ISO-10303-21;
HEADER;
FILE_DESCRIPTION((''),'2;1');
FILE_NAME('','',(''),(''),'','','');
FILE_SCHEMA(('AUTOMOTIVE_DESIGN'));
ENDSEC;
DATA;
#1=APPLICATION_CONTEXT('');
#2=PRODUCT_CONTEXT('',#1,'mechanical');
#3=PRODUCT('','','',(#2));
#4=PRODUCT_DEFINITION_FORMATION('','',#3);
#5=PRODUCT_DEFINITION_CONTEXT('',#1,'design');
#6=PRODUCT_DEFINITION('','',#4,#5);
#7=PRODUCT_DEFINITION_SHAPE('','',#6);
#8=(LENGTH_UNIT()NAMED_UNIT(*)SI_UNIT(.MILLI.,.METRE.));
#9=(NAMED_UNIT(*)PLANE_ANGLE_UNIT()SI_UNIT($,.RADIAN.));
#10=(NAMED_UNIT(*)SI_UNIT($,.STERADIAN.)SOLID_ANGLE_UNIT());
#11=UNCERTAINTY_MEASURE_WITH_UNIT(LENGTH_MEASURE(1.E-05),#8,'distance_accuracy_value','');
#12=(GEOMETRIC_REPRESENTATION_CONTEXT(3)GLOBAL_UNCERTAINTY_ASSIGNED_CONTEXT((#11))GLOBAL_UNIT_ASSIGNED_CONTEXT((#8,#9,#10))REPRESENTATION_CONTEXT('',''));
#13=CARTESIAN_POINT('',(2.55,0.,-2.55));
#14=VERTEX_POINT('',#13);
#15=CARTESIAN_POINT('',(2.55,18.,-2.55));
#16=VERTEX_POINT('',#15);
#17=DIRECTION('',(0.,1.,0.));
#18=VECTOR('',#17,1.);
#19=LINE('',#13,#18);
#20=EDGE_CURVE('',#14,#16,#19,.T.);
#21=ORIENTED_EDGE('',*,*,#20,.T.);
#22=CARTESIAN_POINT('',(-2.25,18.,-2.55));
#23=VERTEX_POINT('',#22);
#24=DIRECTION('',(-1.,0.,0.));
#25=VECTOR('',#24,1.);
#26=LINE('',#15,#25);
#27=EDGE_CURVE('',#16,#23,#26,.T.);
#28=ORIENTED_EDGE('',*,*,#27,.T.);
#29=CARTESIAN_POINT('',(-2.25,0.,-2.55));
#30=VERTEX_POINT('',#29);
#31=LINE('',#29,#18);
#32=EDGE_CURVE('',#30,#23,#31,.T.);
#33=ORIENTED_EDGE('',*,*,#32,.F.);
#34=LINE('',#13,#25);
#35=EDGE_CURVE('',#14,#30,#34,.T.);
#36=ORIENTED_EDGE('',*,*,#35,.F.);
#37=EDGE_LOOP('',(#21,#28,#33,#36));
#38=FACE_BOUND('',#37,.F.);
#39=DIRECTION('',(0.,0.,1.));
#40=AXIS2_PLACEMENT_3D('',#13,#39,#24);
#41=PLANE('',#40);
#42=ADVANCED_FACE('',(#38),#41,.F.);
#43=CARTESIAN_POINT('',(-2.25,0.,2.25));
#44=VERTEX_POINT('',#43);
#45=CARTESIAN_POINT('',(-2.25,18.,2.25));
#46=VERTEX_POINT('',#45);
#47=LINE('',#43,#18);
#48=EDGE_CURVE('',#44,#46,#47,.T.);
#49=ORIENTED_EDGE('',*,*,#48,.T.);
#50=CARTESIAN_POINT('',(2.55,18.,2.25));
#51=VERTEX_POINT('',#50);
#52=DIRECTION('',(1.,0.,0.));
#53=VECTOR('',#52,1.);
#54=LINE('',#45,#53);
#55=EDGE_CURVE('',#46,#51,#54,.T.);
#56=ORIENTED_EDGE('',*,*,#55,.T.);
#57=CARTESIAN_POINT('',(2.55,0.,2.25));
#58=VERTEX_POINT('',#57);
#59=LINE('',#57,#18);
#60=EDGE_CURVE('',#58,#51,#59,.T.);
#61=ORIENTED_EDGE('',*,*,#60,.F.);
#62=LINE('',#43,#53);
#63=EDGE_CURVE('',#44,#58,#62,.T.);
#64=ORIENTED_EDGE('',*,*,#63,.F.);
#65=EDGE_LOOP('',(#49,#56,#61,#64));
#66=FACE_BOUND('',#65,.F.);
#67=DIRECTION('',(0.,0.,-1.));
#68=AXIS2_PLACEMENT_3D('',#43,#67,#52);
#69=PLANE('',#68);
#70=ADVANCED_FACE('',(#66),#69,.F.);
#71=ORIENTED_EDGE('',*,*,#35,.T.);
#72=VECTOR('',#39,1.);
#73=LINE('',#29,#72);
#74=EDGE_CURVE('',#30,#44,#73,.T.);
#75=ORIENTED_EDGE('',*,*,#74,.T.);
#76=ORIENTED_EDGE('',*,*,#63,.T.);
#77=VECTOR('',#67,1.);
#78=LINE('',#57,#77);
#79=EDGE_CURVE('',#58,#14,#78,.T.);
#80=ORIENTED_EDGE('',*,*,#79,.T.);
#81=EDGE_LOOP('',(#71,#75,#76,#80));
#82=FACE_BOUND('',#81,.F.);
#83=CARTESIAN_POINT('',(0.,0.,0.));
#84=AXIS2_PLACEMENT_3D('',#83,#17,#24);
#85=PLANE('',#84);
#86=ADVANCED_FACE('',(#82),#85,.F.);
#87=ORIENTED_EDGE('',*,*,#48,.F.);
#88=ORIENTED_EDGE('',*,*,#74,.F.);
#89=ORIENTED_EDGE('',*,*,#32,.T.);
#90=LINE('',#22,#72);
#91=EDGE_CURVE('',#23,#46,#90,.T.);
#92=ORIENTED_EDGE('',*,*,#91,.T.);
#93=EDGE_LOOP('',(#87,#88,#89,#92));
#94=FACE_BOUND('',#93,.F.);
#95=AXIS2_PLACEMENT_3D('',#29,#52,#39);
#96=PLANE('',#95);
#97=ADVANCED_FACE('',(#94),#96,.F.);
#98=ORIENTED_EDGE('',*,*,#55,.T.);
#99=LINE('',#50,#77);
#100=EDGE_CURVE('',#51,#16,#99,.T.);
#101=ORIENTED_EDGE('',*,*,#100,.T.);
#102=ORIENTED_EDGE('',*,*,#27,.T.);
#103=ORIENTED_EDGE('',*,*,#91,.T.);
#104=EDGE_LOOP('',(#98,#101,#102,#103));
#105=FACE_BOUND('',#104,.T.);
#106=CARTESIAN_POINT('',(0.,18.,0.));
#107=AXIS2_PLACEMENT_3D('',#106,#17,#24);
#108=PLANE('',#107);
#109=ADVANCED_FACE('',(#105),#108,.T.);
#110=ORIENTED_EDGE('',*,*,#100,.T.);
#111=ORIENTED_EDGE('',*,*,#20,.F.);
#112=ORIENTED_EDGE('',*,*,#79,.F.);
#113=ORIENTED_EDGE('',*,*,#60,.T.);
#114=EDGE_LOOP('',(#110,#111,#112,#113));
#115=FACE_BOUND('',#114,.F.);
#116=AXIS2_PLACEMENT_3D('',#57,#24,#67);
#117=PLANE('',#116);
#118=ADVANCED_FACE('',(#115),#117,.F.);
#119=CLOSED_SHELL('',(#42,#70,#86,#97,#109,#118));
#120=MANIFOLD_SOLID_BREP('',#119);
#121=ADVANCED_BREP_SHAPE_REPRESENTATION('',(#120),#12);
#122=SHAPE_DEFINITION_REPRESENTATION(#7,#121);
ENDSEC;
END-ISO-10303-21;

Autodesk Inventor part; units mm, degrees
ref_plane "YZ Plane" through (0, 0, 0) normal (1, 0, 0) x (0, 1, 0)
ref_plane "XZ Plane" through (0, 0, 0) normal (0, 1, 0) x (-1, 0, 0)
ref_plane "XY Plane" through (0, 0, 0) normal (0, 0, 1) x (1, 0, 0)
sketch "Sketch1" plane through (0, 0, 0) normal (0, 1, 0) x (-1, 0, 0)
  line L0 (2.25, 2.25) -> (-2.55, 2.25)
  line L1 (-2.55, 2.25) -> (-2.55, -2.55)
  line L2 (-2.55, -2.55) -> (2.25, -2.55)
  line L3 (2.25, -2.55) -> (2.25, 2.25)
  point P0 (0, 0)
  dimension "d0" = 4.8
  dimension "d1" = 2.25
  dimension "d2" = 2.25
  dimension "d3" = 4.8
extrude "Extrusion1" add sketch "Sketch1" along normal blind 18
properties part number "Stick"
